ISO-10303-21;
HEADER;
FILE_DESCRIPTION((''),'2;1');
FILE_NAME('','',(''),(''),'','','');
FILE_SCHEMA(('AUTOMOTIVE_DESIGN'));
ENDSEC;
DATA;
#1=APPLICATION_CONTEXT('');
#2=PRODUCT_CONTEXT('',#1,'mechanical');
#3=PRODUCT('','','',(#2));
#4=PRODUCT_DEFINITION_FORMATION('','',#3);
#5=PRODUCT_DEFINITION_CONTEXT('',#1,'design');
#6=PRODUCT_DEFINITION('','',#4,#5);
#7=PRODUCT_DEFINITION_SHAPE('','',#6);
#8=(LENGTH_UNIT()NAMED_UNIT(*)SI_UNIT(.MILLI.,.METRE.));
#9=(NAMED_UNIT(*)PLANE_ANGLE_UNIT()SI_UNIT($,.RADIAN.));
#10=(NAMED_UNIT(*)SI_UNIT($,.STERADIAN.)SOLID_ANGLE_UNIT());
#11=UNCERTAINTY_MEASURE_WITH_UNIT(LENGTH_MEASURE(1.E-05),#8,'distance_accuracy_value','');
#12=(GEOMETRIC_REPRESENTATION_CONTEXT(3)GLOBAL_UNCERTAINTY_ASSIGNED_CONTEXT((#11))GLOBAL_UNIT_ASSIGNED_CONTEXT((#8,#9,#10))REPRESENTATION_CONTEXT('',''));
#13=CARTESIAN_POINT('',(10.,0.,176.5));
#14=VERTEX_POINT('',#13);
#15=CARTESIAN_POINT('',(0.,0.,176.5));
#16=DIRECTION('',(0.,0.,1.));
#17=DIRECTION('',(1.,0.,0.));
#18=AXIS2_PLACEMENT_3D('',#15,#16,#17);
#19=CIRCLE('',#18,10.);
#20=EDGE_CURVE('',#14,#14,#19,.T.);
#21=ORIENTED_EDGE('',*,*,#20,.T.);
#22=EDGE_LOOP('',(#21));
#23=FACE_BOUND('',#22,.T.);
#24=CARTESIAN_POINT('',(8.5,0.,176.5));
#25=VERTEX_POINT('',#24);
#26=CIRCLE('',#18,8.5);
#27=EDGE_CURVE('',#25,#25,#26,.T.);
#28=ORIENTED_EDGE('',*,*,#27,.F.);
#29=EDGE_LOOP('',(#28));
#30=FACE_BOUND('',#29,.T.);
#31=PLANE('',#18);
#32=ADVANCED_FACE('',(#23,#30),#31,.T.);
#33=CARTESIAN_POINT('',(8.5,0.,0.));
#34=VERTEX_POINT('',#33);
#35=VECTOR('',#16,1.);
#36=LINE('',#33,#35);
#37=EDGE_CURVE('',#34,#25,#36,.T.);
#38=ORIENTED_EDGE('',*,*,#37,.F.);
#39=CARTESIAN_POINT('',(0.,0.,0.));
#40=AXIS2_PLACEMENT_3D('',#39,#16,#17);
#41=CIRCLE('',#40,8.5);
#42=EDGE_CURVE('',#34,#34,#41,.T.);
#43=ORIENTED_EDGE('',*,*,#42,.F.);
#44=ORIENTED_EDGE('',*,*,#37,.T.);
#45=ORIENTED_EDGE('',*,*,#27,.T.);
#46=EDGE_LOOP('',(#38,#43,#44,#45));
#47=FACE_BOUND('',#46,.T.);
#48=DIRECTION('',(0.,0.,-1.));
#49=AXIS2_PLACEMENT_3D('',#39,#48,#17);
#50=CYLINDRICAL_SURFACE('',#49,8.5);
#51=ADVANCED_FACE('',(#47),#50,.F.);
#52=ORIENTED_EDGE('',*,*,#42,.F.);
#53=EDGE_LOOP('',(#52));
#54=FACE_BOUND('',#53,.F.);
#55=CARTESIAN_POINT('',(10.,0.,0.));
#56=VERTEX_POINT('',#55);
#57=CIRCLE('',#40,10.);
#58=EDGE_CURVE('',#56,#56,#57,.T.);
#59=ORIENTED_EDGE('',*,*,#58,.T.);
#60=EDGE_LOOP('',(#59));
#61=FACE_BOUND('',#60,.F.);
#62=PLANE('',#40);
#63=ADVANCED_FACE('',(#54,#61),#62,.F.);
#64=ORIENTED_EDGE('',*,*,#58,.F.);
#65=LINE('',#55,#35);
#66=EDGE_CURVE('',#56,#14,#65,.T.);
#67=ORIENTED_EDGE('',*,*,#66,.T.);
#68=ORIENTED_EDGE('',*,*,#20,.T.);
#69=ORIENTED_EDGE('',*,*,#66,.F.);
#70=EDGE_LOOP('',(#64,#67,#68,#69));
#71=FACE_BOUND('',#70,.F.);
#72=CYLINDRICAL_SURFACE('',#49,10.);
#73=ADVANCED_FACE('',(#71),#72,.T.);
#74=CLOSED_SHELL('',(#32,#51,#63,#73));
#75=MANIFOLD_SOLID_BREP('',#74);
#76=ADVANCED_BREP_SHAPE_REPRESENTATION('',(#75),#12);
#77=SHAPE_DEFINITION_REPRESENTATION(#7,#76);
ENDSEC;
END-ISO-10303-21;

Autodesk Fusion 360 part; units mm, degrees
sketch "Sketch1" plane through (0, 0, 0) normal (0, 0, 1) x (1, 0, 0)
  circle A0 centre (0, 0) radius 10
  circle A1 centre (0, 0) radius 8.5
  dimension "d1" = 20
  dimension "d2" = -1.5
extrude "Extrude1" add sketch "Sketch1" along normal blind 176.5
